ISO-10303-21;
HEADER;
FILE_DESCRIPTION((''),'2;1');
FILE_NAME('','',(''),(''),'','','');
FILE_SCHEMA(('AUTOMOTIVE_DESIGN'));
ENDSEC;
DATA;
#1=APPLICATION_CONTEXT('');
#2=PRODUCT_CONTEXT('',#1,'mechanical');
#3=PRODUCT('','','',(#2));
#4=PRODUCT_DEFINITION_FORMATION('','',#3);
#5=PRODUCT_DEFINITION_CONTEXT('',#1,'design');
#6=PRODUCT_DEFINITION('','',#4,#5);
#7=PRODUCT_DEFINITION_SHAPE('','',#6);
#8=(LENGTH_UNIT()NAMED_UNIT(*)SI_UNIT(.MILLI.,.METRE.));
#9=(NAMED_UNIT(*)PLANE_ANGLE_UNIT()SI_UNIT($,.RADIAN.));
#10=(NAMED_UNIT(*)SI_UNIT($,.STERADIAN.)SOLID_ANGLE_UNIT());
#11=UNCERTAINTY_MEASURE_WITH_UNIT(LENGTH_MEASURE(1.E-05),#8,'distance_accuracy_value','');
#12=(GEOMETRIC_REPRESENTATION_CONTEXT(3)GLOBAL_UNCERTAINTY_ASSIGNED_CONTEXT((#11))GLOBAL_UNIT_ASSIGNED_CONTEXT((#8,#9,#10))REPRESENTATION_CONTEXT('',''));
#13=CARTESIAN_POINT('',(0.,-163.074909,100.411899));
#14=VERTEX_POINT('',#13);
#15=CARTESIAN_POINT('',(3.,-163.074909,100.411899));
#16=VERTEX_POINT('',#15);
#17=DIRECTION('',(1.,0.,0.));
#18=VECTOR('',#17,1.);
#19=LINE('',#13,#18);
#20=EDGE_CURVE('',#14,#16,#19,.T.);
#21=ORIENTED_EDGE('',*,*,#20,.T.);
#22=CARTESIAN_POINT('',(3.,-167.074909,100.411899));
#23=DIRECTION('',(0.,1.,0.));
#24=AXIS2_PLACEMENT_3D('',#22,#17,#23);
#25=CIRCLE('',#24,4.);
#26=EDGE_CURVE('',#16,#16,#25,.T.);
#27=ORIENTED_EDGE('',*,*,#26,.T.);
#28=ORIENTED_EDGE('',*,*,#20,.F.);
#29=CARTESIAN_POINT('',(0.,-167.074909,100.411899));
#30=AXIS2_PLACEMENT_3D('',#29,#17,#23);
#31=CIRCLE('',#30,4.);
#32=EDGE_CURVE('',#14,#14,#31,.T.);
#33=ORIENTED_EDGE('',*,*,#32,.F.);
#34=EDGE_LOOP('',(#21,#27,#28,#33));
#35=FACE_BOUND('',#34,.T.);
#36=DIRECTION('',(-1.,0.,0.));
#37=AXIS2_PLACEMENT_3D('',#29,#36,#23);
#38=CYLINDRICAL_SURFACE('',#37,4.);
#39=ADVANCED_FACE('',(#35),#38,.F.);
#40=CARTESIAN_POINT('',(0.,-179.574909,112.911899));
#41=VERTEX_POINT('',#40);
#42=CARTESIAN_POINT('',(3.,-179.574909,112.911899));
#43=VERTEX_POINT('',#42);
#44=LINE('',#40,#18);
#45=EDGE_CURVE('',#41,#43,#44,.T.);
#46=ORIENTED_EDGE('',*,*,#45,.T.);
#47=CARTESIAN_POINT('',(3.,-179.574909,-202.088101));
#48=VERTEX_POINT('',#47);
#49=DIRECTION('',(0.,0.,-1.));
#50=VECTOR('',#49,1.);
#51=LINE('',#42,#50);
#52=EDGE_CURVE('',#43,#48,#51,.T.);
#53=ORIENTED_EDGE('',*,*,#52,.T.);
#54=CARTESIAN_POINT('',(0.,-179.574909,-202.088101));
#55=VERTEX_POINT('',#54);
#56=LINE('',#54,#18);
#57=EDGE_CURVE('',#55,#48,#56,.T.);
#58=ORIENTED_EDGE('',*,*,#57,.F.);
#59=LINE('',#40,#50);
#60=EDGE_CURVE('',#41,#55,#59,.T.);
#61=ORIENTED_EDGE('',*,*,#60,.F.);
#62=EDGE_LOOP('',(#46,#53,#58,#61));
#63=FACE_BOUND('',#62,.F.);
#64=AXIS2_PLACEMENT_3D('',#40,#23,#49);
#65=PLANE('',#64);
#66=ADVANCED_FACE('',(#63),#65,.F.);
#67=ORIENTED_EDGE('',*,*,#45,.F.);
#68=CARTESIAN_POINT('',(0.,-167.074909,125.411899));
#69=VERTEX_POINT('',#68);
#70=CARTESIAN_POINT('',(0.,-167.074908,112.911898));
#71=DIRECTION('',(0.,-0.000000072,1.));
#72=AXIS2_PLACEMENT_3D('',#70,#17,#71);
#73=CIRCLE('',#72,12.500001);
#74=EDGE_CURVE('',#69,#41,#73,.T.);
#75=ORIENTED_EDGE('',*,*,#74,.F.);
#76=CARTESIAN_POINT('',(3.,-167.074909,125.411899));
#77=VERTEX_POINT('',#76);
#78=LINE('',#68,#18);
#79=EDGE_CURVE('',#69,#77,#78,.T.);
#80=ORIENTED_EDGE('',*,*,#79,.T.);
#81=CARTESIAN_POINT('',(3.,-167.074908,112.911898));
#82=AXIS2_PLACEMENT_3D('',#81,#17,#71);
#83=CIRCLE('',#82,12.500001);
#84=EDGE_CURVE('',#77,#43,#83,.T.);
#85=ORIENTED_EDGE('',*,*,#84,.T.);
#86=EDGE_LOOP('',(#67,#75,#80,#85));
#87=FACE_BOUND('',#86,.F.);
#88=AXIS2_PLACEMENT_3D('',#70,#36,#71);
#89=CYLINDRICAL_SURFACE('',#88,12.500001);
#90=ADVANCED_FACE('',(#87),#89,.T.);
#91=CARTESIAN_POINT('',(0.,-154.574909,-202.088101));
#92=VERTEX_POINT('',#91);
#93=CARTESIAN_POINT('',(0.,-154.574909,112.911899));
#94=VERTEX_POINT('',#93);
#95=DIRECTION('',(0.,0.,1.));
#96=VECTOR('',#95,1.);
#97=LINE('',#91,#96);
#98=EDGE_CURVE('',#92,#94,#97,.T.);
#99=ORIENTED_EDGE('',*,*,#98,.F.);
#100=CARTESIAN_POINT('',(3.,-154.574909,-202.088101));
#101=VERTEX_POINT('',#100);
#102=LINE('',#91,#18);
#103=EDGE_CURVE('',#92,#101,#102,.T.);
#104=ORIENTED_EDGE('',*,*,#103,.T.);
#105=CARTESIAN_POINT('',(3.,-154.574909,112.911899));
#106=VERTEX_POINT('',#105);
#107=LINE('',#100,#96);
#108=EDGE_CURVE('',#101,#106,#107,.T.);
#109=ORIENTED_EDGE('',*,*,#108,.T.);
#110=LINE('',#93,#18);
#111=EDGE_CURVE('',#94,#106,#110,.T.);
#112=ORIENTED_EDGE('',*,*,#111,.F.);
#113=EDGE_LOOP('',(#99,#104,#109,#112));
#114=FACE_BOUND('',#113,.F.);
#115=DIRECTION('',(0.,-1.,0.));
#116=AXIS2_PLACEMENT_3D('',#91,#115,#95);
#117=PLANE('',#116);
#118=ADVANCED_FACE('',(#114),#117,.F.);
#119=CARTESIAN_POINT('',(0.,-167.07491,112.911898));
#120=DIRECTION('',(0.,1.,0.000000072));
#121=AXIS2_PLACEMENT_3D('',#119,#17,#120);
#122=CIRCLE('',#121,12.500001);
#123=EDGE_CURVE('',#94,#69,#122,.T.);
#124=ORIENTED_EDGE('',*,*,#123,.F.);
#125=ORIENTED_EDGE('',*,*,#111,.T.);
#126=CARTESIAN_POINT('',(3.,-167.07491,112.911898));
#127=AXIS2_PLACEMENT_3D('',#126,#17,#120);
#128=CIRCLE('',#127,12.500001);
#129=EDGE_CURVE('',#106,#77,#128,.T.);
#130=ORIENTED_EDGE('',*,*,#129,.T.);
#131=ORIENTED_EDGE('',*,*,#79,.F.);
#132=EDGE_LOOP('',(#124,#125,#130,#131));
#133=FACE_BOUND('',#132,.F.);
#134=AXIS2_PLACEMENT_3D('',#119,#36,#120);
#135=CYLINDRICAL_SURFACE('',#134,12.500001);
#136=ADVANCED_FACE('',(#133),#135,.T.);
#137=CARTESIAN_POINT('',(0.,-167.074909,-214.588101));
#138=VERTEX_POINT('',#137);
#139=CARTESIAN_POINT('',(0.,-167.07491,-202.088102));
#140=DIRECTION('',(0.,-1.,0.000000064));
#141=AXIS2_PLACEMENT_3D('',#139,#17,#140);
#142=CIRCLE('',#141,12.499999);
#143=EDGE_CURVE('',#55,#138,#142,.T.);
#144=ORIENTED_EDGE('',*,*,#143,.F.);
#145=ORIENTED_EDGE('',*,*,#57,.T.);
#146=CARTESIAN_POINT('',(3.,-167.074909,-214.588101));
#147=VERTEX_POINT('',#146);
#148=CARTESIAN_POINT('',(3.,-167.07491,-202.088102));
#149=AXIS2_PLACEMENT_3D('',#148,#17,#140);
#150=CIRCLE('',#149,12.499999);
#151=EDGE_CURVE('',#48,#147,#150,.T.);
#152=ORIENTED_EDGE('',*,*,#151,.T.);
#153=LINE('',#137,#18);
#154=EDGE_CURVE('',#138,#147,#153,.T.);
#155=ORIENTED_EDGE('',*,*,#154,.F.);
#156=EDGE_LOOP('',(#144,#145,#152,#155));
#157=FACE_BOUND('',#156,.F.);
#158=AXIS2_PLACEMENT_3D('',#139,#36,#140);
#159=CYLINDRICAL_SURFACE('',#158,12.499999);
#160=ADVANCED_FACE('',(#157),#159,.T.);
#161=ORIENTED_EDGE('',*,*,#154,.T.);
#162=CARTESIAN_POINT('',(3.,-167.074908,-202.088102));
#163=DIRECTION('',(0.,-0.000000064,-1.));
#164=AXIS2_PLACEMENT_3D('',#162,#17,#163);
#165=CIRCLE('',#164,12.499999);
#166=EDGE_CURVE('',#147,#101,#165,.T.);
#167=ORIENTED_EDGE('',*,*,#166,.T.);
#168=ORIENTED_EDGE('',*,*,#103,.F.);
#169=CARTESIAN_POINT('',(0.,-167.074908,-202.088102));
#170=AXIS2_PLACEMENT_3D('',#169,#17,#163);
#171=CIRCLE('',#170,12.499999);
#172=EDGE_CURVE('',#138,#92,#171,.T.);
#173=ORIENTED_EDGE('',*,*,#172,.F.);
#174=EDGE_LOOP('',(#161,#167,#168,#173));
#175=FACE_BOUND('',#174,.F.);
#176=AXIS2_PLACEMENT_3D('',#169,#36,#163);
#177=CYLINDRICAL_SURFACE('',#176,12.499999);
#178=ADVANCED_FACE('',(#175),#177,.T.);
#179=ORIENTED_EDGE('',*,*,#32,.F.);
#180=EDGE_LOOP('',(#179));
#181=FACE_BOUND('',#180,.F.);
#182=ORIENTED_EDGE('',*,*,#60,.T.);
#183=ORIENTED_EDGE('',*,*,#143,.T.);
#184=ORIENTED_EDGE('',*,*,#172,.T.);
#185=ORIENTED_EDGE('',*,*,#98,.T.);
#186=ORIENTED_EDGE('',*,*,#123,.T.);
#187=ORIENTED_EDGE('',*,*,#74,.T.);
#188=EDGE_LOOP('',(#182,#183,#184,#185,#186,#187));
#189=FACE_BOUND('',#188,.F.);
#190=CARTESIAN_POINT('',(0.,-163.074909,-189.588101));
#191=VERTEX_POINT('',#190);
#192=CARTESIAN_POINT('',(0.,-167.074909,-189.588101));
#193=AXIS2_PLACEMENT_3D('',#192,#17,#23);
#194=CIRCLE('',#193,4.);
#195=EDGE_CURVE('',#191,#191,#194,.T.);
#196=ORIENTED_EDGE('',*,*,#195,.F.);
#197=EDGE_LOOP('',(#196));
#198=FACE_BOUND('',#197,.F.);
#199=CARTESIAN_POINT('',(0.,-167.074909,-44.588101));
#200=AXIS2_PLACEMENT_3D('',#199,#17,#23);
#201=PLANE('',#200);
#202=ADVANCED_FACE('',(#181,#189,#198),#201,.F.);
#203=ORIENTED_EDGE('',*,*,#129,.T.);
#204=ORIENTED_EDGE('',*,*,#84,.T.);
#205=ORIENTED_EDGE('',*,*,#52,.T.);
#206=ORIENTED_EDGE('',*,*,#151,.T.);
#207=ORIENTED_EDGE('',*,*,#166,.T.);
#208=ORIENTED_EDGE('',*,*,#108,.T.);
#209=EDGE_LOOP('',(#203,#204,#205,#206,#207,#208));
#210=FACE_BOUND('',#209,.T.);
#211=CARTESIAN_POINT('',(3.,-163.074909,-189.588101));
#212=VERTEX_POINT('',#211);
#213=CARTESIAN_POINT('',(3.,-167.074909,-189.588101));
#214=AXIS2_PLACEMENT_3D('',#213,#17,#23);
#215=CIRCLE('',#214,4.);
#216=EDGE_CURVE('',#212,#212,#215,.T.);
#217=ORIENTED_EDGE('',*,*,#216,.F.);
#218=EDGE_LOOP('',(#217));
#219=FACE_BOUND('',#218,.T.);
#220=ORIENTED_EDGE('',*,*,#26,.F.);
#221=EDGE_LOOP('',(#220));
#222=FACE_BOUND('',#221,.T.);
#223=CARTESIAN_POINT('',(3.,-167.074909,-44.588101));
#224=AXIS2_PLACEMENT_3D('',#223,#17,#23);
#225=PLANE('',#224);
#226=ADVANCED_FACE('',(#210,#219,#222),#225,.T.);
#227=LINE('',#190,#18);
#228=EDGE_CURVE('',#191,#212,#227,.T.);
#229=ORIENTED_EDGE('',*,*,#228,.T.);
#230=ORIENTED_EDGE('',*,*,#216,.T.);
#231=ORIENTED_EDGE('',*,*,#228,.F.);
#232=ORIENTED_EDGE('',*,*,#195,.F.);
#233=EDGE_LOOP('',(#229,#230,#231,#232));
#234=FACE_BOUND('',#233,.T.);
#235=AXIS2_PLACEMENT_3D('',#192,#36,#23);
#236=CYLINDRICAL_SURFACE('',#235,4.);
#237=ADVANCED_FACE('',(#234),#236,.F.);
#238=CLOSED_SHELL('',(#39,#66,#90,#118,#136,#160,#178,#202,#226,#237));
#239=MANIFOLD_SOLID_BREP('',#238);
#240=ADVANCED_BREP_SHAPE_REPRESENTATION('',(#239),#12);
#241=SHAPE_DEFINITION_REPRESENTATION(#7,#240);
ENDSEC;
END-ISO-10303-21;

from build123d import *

# Parameters (mm, degrees)
F0_R     = 4
F1_DEPTH = 3


with BuildPart() as f1:
    # F0 (on Right) → F1 (new body)
    with BuildSketch(Plane.YZ):
        with BuildLine():
            Line((-179.574909, 112.911899), (-179.574909, -202.088101))
            ThreePointArc((-179.574909, -202.088101), (-175.913744, -210.926936), (-167.074909, -214.588101))
            ThreePointArc((-167.074909, -214.588101), (-158.236074, -210.926936), (-154.574909, -202.088101))
            Line((-154.574909, -202.088101), (-154.574909, 112.911899))
            ThreePointArc((-154.574909, 112.911899), (-158.236074, 121.750733), (-167.074909, 125.411899))
            ThreePointArc((-167.074909, 125.411899), (-175.913744, 121.750733), (-179.574909, 112.911899))
        make_face()
        with Locations((-167.074909, -189.588101)):
            Circle(F0_R, mode=Mode.SUBTRACT)
        with Locations((-167.074909, 100.411899)):
            Circle(F0_R, mode=Mode.SUBTRACT)
    extrude(amount=F1_DEPTH)


solid = f1.part
